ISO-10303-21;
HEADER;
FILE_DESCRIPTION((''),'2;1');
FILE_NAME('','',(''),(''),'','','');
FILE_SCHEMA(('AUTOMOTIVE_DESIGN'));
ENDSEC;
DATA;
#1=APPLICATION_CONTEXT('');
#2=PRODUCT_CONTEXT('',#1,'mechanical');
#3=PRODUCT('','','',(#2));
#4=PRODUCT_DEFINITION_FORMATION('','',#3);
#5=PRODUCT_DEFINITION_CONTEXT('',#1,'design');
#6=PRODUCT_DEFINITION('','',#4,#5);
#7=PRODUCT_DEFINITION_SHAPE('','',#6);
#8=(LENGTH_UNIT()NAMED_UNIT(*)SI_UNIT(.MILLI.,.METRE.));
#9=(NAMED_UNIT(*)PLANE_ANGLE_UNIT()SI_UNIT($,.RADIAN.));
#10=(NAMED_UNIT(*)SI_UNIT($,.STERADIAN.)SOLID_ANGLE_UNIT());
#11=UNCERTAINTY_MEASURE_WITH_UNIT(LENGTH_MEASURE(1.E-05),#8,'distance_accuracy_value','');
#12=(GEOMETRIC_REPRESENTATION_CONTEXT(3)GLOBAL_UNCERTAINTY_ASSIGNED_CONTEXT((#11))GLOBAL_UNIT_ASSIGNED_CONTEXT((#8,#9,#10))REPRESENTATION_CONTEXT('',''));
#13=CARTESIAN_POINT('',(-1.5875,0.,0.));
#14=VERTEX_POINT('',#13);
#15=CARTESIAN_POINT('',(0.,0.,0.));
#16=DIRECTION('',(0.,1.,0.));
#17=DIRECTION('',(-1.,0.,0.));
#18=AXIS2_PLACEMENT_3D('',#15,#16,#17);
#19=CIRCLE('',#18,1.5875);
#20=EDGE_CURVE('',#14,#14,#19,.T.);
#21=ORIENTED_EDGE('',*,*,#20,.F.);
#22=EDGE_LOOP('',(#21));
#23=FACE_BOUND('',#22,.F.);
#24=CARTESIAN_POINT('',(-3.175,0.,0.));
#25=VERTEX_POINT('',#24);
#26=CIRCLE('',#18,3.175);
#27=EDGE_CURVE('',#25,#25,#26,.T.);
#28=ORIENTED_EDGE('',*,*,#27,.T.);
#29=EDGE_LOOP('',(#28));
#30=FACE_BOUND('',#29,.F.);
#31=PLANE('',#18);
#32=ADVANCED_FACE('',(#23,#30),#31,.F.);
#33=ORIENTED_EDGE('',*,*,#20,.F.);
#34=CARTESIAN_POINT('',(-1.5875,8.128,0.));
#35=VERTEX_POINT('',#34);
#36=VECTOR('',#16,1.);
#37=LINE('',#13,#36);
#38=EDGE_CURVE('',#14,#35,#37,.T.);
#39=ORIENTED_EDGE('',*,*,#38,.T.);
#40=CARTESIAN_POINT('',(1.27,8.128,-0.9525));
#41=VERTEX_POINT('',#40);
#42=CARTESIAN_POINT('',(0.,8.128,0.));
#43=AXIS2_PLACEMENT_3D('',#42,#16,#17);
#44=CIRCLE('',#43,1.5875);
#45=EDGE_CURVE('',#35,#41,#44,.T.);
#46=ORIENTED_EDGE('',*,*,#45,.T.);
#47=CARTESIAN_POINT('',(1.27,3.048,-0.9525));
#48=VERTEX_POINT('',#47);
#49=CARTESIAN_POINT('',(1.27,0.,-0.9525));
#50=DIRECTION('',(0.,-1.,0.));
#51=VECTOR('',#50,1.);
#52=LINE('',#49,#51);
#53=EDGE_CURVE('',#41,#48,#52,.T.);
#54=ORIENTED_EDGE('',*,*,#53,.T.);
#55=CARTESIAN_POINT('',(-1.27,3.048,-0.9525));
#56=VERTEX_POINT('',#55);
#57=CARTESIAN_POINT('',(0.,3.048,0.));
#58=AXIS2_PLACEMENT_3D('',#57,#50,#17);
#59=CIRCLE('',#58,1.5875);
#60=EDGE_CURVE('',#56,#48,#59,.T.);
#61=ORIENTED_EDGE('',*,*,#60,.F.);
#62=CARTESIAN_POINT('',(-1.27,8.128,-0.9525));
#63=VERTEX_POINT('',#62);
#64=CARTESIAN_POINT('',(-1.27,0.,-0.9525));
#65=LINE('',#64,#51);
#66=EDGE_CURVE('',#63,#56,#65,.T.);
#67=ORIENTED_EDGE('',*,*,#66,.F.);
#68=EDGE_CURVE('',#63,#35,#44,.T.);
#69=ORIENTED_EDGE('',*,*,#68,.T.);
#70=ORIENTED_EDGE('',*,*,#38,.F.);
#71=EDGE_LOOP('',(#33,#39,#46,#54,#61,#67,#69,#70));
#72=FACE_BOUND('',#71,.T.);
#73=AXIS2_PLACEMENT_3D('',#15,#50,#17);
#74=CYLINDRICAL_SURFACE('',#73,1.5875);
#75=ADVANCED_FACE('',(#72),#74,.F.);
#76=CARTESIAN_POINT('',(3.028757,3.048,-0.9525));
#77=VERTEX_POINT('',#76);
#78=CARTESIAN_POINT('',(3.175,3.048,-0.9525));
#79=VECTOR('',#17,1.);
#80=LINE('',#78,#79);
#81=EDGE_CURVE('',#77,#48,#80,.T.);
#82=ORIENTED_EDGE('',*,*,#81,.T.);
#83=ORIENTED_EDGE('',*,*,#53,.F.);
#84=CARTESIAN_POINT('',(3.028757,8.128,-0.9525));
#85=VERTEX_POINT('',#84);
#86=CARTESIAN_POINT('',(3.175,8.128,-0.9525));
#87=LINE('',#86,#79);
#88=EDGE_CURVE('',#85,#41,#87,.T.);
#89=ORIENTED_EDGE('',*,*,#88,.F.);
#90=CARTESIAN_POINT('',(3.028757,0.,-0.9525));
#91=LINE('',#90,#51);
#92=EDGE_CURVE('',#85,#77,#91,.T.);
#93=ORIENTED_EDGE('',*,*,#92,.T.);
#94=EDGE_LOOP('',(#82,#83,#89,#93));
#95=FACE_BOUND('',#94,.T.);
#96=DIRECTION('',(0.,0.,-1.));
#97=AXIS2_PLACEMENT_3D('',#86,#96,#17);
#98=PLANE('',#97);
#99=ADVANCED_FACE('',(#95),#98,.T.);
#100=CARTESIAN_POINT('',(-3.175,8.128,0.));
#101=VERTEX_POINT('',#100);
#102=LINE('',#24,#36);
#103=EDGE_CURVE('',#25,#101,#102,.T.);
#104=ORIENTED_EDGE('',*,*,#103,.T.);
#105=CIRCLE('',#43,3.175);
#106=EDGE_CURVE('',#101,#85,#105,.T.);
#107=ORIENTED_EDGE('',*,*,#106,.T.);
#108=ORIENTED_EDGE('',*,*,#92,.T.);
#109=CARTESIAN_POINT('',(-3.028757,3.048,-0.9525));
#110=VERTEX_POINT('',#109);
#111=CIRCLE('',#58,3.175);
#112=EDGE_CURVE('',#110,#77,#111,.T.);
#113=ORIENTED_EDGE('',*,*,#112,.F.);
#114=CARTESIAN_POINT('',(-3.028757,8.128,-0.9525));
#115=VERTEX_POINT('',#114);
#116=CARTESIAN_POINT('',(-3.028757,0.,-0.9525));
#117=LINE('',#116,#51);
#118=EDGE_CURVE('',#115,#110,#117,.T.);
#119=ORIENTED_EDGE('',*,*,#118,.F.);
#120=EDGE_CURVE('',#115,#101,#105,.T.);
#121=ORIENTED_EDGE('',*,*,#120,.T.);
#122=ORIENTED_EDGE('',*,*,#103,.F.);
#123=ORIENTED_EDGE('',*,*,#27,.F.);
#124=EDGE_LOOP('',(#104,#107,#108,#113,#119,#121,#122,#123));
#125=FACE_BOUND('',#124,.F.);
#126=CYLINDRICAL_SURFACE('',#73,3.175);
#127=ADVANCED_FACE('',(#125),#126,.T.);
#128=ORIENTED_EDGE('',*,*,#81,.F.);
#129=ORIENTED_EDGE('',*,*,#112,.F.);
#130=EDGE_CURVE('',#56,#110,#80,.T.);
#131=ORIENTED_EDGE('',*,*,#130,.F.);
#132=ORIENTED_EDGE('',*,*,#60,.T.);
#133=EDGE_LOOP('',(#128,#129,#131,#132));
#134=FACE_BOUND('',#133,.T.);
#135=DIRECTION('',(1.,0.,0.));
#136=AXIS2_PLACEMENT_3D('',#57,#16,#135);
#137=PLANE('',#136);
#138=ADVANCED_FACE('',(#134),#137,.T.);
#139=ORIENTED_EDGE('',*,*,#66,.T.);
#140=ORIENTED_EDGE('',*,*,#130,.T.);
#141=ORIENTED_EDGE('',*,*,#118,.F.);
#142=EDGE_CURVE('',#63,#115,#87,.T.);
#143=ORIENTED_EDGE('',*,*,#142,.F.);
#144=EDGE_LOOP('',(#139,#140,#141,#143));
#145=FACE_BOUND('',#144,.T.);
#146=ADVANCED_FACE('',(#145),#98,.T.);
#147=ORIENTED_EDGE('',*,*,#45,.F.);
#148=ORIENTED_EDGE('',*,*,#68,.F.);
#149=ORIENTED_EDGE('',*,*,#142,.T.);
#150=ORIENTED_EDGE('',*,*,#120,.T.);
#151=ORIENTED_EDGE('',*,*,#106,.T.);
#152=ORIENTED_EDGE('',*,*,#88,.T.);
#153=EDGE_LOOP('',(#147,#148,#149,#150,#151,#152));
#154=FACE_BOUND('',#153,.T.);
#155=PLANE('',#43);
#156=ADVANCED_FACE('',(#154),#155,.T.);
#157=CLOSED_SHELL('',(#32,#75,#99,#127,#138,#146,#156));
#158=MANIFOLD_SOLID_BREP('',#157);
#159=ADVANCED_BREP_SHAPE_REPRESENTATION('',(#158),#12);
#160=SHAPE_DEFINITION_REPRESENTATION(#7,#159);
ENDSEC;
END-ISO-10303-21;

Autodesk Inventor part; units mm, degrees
ref_plane "YZ Plane" through (0, 0, 0) normal (1, 0, 0) x (0, 1, 0)
ref_plane "XZ Plane" through (0, 0, 0) normal (0, 1, 0) x (-1, 0, 0)
ref_plane "XY Plane" through (0, 0, 0) normal (0, 0, 1) x (1, 0, 0)
sketch "Sketch1" plane through (0, 0, 0) normal (0, 1, 0) x (-1, 0, 0)
  circle A0 centre (0, 0) radius 1.5875
  circle A1 centre (0, 0) radius 3.175
  dimension "d0" = 3.175
  dimension "d1" = 6.35
extrude "Extrusion1" add sketch "Sketch1" along normal blind 8.128
sketch "Sketch2" plane through (0, 8.128, 0) normal (0, 1, 0) x (1, 0, 0)
  line L0 (-3.175, 3.7564) -> (3.175, 3.7564)
  line L1 (3.175, 3.7564) -> (3.175, 0.9525)
  line L2 (3.175, 0.9525) -> (-3.175, 0.9525)
  line L3 (-3.175, 0.9525) -> (-3.175, 3.7564)
  point P0 (0, 0)
  dimension "d4" = 3.175
  dimension "d5" = 6.35
  dimension "d6" = 0.9525
extrude "Extrusion2" cut sketch "Sketch2" against normal blind 5.08
properties part number "ShaftCollar" material "Brass, Soft Yellow"
